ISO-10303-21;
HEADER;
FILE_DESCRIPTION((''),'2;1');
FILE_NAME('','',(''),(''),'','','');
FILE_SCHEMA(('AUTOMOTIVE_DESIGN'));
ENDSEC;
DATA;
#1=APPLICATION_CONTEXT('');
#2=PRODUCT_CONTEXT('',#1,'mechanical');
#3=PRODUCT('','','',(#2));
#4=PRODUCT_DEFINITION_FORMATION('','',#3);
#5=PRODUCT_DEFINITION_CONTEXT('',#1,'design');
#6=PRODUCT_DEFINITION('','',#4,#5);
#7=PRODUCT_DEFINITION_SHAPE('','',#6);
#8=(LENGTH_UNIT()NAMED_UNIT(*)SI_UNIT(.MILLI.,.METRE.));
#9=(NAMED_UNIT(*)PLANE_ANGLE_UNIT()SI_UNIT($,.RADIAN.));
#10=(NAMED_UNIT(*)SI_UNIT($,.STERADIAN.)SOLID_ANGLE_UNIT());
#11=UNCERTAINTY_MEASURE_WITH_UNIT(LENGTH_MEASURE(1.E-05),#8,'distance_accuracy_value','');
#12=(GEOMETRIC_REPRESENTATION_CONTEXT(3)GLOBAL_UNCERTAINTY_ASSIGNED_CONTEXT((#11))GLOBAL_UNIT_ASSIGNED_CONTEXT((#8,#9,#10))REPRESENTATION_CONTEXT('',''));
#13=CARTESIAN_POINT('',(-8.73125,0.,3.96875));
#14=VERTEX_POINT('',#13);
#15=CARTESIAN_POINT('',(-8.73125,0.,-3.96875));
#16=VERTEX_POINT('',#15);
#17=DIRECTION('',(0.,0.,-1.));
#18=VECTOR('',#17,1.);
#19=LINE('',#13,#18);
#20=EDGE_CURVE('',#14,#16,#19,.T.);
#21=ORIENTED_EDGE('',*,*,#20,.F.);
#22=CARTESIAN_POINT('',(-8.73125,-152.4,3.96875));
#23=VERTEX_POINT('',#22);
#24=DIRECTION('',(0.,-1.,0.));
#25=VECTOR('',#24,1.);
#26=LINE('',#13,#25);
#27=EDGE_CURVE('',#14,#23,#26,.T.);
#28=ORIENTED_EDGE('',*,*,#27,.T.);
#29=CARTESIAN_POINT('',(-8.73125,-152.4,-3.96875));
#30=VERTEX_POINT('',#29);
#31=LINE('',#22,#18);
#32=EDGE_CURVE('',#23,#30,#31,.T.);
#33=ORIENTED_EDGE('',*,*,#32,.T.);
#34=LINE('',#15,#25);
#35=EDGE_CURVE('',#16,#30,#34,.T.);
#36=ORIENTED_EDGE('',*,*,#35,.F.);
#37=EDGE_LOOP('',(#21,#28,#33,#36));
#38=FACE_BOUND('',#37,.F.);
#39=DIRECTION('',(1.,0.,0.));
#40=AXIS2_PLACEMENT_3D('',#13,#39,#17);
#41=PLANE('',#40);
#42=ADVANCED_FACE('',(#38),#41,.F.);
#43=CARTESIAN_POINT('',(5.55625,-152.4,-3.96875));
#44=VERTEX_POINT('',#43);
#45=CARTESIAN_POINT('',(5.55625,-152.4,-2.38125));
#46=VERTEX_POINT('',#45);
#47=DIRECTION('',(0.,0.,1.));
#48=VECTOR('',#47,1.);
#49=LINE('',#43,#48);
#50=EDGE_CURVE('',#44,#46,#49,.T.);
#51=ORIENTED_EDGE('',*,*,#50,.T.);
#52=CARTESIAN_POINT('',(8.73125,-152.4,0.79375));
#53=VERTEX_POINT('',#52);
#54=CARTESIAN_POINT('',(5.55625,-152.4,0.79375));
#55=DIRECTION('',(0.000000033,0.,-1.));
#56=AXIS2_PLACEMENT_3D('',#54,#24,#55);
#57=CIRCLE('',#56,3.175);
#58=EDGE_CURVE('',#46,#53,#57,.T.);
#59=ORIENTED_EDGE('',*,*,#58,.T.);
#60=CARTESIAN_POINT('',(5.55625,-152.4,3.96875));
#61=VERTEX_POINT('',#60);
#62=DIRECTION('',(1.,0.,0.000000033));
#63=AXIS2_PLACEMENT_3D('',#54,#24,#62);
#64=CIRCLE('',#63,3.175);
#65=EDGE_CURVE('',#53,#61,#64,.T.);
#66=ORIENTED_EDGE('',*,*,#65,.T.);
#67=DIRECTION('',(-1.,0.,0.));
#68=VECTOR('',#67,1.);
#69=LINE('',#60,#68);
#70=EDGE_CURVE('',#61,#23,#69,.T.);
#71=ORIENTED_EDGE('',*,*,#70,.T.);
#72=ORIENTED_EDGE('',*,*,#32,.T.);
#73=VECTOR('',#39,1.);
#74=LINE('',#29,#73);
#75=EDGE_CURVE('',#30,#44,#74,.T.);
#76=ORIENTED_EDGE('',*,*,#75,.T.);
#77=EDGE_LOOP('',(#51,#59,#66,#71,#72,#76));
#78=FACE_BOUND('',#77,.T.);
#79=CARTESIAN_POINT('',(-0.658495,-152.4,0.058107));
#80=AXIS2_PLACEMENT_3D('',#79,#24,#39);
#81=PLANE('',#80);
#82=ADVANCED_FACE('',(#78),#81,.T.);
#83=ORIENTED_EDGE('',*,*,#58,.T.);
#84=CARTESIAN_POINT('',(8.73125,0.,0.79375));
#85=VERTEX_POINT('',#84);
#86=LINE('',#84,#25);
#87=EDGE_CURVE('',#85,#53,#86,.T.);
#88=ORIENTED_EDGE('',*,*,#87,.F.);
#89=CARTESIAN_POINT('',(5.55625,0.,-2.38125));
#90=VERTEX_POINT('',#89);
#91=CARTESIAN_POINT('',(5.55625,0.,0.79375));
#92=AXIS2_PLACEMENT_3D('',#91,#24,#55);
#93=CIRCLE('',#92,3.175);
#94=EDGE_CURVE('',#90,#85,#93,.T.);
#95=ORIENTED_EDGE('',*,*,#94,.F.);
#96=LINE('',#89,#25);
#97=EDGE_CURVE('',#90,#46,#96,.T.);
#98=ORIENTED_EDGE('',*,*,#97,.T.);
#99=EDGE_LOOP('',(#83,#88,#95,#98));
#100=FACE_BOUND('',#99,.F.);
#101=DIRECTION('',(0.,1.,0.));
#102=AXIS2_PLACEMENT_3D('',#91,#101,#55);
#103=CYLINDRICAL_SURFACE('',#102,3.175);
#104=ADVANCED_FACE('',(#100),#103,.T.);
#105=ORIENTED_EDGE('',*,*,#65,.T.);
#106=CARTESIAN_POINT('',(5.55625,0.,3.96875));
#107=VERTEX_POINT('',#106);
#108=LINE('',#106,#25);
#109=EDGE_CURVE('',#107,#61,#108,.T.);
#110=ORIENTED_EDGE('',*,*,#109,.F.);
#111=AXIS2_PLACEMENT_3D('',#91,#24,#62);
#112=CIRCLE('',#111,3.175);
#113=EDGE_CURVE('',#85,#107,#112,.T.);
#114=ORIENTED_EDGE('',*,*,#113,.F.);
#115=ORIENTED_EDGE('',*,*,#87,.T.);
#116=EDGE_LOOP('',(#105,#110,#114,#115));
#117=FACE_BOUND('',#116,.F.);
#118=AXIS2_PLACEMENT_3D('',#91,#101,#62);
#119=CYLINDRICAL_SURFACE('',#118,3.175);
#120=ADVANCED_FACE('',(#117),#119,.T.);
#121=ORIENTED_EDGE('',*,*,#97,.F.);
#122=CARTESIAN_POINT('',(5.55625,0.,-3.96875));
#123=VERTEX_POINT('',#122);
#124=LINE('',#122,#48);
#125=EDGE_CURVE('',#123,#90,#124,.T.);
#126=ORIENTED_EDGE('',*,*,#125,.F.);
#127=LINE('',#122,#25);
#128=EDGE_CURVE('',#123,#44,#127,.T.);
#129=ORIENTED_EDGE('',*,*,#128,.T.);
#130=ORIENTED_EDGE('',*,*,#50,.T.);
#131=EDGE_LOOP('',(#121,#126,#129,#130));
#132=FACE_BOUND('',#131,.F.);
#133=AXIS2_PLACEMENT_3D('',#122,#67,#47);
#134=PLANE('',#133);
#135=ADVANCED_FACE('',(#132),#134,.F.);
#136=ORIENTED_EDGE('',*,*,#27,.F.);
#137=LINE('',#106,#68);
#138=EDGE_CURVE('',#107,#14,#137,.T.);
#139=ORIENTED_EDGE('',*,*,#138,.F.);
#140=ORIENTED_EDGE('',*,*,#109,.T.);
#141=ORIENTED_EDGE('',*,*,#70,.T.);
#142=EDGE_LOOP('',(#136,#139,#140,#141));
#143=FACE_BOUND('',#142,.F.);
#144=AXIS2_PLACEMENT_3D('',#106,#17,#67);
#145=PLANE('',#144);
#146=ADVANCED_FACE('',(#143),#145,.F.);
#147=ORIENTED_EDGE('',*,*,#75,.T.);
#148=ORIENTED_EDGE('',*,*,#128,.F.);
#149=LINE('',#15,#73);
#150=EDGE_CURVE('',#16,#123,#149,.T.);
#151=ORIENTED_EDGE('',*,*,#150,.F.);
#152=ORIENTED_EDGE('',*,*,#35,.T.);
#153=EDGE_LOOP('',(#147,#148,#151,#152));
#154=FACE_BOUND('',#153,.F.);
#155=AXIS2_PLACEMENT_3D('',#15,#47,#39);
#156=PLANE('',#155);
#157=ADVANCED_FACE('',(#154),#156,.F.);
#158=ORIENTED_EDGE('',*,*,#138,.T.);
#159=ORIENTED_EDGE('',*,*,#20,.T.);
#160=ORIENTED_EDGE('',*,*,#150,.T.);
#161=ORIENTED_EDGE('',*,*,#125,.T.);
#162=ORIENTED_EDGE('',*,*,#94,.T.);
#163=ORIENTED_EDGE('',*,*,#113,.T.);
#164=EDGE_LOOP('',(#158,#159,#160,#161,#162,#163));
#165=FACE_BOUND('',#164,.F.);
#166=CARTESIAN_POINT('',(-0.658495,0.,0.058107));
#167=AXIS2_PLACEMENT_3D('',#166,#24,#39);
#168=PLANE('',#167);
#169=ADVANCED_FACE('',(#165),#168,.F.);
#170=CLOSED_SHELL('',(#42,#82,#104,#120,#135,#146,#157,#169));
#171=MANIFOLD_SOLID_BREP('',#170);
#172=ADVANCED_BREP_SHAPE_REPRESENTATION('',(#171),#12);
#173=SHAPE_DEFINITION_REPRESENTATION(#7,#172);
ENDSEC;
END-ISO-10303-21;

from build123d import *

# Parameters (mm, degrees)
F1_DEPTH = 152.4


with BuildPart() as f1:
    # F0 (on Front) → F1 (new body)
    with BuildSketch(Plane.XZ):
        with BuildLine():
            Line((-8.73125, 3.96875), (-8.73125, -3.96875))
            Line((-8.73125, -3.96875), (5.55625, -3.96875))
            Line((5.55625, -3.96875), (5.55625, -2.38125))
            ThreePointArc((5.55625, -2.38125), (7.801314, -1.451314), (8.73125, 0.79375))
            ThreePointArc((8.73125, 0.79375), (7.801314, 3.038814), (5.55625, 3.96875))
            Line((5.55625, 3.96875), (-8.73125, 3.96875))
        make_face()
    extrude(amount=F1_DEPTH)


solid = f1.part
